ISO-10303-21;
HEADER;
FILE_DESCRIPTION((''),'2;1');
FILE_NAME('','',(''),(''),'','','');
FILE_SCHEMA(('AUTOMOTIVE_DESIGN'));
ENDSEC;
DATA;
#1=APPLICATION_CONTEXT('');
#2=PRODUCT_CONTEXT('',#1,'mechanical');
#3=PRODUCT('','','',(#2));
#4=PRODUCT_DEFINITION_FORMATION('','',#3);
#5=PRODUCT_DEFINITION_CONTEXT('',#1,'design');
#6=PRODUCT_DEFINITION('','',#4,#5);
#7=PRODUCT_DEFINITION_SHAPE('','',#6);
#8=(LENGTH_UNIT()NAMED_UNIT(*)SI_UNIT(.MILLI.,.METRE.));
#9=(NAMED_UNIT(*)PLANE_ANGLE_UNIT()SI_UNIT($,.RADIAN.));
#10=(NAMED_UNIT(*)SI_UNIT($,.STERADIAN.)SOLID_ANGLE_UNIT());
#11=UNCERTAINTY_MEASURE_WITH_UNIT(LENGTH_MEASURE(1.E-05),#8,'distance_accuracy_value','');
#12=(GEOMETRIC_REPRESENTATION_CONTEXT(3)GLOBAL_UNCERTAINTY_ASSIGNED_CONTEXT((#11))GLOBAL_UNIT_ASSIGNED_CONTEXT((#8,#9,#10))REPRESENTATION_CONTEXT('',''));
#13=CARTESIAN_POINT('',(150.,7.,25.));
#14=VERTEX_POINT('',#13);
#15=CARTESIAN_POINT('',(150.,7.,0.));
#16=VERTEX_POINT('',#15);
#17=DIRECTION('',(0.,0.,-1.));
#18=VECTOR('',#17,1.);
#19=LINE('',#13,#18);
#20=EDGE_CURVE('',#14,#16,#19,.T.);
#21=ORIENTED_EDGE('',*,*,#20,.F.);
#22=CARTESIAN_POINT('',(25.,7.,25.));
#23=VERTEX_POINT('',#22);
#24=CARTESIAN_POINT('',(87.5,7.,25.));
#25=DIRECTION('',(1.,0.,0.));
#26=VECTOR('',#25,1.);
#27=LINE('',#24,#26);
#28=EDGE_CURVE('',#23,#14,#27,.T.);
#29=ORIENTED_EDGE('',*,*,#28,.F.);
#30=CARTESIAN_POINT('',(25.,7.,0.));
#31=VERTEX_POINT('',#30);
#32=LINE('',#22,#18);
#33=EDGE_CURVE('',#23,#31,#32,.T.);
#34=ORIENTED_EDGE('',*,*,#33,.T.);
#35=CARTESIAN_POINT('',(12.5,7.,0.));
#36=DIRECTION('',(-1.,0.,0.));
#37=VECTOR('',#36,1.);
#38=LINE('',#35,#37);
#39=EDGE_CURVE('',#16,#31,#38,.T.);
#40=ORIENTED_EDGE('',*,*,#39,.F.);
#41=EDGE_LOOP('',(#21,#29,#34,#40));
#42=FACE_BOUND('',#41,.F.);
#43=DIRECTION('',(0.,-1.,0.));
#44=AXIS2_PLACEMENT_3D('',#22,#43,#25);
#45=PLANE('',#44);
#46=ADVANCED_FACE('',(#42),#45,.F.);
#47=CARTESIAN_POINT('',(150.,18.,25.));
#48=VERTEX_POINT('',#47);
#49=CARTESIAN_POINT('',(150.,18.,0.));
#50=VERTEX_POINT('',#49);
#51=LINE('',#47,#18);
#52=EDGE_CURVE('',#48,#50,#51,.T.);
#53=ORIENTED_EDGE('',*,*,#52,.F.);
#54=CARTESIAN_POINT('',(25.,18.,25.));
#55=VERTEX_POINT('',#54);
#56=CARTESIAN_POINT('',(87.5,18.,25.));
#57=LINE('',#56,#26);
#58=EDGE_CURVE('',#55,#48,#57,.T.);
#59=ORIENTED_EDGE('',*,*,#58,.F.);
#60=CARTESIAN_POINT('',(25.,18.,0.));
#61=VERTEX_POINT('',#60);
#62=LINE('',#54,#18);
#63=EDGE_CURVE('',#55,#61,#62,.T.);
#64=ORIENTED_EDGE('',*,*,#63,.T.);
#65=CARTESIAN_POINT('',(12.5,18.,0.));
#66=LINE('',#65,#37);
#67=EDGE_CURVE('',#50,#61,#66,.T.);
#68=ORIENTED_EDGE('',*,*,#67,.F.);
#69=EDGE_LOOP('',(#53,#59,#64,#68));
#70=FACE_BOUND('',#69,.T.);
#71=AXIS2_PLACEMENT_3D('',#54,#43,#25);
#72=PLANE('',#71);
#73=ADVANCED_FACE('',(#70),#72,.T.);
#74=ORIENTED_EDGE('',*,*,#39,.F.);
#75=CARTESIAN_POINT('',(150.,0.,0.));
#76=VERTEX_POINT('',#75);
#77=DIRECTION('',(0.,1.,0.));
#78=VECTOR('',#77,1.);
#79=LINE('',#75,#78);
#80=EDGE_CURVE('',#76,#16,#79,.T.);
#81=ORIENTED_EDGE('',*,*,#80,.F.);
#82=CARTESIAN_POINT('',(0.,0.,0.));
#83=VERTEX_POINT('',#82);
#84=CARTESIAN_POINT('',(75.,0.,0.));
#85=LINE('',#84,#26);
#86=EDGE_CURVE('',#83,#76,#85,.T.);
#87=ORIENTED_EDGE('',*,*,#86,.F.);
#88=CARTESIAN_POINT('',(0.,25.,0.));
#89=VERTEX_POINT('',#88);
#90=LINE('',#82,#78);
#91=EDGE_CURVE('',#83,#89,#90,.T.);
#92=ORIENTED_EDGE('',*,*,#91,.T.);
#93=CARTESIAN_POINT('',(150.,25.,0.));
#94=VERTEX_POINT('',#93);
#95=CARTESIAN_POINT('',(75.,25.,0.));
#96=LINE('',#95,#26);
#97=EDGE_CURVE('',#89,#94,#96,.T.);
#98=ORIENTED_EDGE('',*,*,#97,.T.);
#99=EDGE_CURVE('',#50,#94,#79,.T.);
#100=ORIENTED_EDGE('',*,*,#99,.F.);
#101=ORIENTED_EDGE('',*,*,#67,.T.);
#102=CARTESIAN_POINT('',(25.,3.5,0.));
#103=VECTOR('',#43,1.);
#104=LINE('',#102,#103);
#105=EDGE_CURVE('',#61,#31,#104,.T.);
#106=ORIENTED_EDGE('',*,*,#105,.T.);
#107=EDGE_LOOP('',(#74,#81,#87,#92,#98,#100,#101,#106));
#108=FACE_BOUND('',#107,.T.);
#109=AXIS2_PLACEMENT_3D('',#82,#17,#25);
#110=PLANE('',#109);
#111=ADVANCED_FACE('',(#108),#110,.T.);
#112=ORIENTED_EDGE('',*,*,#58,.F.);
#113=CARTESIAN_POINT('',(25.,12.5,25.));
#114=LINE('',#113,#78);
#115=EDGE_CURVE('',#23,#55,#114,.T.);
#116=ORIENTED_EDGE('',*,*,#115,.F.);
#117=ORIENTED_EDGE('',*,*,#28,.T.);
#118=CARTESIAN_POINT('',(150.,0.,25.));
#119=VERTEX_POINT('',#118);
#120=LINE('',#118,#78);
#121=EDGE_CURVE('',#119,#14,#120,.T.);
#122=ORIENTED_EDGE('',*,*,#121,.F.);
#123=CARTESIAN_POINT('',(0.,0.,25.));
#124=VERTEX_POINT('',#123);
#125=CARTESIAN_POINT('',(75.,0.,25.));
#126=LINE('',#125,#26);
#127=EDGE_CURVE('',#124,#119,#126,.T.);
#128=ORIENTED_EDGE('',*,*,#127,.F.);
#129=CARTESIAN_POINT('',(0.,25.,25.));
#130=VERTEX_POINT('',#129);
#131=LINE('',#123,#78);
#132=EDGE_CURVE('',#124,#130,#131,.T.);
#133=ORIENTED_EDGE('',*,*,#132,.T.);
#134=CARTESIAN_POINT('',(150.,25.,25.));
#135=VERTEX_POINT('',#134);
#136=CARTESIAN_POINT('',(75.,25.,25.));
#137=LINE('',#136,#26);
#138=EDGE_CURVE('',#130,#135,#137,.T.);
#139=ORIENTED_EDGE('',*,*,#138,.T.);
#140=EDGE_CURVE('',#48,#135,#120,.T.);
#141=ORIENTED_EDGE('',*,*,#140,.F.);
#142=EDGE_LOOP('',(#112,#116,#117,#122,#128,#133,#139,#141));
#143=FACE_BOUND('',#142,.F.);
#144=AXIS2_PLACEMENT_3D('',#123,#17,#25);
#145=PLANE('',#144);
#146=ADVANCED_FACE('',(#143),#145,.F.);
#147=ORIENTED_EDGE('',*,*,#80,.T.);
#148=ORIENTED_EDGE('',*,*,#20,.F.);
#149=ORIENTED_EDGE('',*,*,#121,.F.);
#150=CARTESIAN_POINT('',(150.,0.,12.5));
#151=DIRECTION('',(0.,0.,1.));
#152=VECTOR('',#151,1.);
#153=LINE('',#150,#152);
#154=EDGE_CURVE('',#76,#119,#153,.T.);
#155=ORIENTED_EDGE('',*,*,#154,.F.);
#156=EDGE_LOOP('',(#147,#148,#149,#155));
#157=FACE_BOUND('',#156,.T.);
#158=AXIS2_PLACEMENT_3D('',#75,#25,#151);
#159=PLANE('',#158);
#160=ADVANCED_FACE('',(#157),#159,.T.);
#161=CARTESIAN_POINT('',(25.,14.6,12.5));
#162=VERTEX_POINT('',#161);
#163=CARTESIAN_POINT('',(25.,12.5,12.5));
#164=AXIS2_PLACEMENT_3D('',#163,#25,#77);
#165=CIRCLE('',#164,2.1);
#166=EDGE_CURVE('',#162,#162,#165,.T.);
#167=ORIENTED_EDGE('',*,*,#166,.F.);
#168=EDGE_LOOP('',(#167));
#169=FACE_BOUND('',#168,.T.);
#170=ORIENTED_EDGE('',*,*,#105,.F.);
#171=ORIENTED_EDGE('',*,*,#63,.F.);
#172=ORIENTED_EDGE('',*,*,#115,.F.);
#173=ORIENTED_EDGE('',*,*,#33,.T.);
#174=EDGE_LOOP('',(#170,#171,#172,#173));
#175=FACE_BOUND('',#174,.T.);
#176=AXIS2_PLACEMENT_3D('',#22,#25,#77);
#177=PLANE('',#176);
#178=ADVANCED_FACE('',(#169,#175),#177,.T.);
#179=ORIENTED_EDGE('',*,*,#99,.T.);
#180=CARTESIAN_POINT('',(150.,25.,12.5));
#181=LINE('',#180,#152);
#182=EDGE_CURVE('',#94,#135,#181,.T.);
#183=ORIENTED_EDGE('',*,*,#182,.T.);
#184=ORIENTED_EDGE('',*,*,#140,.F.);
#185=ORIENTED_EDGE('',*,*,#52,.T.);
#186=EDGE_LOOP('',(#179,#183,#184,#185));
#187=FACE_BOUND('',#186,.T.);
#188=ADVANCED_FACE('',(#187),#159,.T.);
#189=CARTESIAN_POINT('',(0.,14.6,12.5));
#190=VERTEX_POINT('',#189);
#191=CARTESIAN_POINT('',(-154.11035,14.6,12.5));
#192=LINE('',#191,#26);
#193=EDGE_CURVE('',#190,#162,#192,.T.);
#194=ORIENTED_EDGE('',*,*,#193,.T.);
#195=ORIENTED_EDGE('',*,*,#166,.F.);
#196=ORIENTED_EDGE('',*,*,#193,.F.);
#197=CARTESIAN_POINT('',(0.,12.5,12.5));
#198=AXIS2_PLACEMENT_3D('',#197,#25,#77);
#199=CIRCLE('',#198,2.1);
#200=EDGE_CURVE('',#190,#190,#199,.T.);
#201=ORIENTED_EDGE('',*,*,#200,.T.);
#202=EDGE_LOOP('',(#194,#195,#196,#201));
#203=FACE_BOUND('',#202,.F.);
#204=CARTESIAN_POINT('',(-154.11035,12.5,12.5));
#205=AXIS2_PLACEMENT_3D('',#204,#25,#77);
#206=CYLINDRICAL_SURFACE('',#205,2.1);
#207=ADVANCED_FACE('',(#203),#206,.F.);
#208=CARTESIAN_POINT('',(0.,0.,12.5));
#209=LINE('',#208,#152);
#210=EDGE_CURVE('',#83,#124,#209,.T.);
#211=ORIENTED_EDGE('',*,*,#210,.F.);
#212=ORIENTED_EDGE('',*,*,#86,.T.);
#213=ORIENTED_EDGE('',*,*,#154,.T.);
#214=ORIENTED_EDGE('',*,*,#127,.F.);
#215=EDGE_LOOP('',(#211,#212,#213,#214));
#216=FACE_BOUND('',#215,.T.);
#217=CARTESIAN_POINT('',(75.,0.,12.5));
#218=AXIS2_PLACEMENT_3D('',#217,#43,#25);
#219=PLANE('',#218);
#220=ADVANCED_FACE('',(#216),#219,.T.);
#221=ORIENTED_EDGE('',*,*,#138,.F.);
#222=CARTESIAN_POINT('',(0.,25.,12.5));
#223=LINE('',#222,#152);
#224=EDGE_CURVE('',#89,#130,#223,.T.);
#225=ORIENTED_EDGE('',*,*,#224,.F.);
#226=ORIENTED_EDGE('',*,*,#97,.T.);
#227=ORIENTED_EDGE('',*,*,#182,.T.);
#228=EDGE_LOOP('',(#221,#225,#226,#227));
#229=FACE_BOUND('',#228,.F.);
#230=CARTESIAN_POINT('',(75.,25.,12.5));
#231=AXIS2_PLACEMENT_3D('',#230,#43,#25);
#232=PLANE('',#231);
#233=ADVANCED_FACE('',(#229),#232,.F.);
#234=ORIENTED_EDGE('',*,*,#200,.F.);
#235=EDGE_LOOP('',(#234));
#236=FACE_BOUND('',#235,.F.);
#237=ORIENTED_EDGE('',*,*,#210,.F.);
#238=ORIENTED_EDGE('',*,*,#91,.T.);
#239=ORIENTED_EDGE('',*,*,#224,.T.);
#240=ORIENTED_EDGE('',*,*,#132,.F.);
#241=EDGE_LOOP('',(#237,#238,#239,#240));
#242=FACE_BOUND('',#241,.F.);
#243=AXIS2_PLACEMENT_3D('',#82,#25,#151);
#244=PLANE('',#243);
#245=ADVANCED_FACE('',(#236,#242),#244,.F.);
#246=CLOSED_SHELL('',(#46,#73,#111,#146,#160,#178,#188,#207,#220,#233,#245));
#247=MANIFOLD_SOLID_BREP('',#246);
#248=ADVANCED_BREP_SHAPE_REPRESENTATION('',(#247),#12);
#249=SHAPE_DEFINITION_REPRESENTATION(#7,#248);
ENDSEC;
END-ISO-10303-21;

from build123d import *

# Parameters (mm, degrees)
F0_W     = 150
F0_H     = 25
F1_DEPTH = 25
F2_W     = 125
F2_H     = 11
F3_DEPTH = 25.001
F5_D     = 4.2


with BuildPart() as f1:
    # F0 (on Front) → F1 (new body)
    with BuildSketch(Plane.XZ):
        with Locations((75, 12.5)):
            Rectangle(F0_W, F0_H)
    extrude(amount=-F1_DEPTH)

    # F2 (on face) → F3 (cut, through all)
    with BuildSketch(Plane.XY.offset(25)):
        with Locations((87.5, 12.5)):
            Rectangle(F2_W, F2_H)
    extrude(amount=-F3_DEPTH, mode=Mode.SUBTRACT)

    # F5 (through all)
    with Locations(Plane(origin=(0, 0, 0), x_dir=(0, -1, 0), z_dir=(-1, 0, 0))):
        with Locations((-12.5, 12.5)):
            Hole(F5_D / 2)


solid = f1.part
